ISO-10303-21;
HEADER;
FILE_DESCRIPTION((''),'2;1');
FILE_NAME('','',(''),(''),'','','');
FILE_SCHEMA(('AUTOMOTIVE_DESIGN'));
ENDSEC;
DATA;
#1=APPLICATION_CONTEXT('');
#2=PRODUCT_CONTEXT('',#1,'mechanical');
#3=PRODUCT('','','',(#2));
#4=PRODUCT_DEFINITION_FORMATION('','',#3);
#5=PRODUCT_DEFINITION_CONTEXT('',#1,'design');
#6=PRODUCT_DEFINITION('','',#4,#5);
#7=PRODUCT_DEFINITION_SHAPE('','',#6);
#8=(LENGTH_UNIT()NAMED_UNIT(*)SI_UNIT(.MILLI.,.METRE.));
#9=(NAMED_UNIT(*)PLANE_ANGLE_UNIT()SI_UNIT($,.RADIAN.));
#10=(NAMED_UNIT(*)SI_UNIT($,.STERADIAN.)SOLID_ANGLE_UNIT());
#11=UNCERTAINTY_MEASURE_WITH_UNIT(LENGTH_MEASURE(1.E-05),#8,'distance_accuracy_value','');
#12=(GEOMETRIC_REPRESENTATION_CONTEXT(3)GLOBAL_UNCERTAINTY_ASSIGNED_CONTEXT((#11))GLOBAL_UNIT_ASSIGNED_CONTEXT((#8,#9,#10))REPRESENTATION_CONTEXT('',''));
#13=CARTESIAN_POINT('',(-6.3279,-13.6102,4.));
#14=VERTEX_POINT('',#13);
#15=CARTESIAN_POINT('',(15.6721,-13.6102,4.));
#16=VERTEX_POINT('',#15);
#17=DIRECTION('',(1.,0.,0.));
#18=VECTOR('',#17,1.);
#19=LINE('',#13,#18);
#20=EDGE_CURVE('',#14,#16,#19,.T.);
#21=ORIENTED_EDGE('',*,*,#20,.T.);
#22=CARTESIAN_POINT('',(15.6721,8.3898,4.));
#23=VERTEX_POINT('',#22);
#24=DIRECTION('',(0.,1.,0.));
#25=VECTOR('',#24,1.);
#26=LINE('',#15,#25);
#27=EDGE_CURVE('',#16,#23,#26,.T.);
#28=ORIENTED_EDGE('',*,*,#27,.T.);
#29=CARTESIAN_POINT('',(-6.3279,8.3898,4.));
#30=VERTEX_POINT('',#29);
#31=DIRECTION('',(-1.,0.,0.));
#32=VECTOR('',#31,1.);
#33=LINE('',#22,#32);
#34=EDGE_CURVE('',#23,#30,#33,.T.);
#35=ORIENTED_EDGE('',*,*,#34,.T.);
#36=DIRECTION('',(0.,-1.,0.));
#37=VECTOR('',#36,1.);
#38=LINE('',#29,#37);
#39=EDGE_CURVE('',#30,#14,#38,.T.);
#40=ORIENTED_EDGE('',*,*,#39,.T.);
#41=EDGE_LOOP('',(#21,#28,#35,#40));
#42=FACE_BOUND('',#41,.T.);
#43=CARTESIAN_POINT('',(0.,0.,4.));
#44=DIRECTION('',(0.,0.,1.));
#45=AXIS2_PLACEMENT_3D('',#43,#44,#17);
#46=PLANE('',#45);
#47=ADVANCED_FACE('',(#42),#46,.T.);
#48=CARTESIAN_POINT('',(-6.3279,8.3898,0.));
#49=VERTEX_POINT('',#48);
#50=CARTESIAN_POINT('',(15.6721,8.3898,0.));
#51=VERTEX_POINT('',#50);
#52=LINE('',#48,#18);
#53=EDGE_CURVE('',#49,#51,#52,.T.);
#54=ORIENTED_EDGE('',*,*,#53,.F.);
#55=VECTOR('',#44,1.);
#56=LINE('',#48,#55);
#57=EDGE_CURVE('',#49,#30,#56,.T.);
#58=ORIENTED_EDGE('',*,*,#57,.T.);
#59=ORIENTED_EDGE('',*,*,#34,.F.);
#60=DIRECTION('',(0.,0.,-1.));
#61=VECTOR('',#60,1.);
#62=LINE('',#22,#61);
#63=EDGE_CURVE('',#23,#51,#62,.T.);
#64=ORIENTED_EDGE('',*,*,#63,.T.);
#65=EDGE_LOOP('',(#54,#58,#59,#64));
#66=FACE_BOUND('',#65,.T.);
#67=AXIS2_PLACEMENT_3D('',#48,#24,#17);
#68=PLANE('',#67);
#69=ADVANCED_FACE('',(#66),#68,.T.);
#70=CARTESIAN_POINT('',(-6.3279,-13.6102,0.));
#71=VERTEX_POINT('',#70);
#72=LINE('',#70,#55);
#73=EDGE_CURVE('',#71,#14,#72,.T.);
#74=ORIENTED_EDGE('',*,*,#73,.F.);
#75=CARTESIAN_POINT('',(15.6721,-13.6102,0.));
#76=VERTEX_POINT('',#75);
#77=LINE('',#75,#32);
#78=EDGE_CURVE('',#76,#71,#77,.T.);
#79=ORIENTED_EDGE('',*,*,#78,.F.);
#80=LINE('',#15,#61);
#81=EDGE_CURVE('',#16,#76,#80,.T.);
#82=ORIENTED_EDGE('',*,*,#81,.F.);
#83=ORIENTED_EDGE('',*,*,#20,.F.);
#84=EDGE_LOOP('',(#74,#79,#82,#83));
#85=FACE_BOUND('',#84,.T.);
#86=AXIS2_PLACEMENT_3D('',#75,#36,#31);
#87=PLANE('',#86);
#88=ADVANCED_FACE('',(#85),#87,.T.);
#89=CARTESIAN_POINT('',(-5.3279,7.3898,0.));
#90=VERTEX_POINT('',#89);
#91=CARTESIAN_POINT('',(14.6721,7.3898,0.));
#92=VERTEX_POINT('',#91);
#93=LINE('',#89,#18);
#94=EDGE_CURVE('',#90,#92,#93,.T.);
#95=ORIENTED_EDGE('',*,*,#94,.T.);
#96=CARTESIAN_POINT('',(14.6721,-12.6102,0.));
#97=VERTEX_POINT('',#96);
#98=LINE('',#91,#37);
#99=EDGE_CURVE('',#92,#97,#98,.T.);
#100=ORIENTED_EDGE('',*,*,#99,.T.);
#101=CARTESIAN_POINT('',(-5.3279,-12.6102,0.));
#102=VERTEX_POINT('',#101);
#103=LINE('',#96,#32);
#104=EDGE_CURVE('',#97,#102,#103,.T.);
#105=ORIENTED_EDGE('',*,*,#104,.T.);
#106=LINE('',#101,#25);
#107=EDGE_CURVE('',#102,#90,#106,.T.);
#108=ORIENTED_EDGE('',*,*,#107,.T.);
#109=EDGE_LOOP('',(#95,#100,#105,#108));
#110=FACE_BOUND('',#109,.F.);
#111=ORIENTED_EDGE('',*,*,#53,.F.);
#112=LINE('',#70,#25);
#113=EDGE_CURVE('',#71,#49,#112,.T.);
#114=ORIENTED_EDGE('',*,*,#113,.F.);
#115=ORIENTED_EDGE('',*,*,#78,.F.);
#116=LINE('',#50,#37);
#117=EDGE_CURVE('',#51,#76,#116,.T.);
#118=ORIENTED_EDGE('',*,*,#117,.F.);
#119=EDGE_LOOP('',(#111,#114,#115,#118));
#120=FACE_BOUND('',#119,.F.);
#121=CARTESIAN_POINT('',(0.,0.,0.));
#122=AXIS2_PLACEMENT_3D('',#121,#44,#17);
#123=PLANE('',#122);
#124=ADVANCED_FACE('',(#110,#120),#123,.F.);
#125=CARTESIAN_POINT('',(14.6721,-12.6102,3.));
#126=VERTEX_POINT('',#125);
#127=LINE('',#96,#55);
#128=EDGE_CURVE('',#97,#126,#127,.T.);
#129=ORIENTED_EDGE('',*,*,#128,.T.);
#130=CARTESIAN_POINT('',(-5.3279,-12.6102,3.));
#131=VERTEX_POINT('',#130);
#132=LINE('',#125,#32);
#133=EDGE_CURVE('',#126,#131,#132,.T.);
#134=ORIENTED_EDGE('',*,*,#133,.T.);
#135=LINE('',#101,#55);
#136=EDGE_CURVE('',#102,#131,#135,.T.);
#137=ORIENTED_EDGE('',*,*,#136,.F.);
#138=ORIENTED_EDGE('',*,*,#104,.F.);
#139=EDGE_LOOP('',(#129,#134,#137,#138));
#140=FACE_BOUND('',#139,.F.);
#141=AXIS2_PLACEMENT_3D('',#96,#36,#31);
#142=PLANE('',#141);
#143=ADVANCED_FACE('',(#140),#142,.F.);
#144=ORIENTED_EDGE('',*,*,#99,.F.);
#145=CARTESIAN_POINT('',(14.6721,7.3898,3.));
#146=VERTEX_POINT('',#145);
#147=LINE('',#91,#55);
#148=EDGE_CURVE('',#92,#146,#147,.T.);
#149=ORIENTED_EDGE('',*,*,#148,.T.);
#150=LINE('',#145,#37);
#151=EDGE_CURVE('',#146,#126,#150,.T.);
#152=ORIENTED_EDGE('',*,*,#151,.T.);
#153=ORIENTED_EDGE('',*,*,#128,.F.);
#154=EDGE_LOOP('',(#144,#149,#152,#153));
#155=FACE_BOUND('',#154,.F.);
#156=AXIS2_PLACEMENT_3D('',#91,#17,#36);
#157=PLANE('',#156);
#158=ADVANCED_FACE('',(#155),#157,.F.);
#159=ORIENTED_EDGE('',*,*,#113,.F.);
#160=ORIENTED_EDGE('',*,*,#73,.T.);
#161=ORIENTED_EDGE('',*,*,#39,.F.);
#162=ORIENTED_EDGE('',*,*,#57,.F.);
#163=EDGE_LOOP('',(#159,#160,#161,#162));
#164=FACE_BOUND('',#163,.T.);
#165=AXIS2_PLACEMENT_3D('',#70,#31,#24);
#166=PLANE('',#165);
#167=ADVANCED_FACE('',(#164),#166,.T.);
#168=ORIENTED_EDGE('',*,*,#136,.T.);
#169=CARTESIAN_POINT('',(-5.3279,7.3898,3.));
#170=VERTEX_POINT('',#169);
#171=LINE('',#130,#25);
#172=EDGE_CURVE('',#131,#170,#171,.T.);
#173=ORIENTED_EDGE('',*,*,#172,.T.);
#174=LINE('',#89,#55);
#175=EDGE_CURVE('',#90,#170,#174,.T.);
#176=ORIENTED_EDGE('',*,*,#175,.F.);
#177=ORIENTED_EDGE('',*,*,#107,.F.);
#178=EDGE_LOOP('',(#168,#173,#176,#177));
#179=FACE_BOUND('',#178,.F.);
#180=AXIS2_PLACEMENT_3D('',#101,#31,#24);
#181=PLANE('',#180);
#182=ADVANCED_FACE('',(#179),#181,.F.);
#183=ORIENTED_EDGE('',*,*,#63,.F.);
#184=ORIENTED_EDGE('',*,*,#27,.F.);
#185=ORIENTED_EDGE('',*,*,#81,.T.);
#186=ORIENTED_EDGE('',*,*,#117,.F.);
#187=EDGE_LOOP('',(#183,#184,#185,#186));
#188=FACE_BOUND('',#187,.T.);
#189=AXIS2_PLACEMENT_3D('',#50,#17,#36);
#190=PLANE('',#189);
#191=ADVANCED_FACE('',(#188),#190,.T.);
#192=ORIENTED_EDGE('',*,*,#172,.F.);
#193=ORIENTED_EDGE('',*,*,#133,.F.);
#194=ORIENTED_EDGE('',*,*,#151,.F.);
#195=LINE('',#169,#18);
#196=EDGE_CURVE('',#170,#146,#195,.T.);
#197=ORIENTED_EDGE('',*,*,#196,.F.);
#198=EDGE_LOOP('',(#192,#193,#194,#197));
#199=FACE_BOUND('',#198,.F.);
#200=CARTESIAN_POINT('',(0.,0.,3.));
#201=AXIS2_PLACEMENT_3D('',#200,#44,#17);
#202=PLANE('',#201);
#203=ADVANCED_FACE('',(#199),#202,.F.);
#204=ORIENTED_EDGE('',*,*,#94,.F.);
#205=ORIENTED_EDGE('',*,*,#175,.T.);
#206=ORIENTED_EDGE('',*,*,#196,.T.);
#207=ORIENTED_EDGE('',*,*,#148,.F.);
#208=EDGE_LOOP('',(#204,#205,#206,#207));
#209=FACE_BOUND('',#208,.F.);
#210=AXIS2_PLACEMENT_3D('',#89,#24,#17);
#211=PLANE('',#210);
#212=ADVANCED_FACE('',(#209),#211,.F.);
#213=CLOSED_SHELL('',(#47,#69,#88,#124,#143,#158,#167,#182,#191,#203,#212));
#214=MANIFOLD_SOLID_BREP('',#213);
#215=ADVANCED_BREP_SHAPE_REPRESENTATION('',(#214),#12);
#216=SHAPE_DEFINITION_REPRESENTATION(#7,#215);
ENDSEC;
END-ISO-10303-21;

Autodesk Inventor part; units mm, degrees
ref_plane "YZ Plane" through (0, 0, 0) normal (1, 0, 0) x (0, 1, 0)
ref_plane "XZ Plane" through (0, 0, 0) normal (0, 1, 0) x (-1, 0, 0)
ref_plane "XY Plane" through (0, 0, 0) normal (0, 0, 1) x (1, 0, 0)
sketch "Sketch1" plane through (0, 0, 0) normal (0, 0, 1) x (1, 0, 0)
  line L0 (-5.3279, 7.3898) -> (14.6721, 7.3898)
  line L1 (14.6721, 7.3898) -> (14.6721, -12.6102)
  line L2 (14.6721, -12.6102) -> (-5.3279, -12.6102)
  line L3 (-5.3279, -12.6102) -> (-5.3279, 7.3898)
  line L4 (-6.3279, 8.3898) -> (15.6721, 8.3898)
  line L5 (15.6721, 8.3898) -> (15.6721, -13.6102)
  line L6 (15.6721, -13.6102) -> (-6.3279, -13.6102)
  line L7 (-6.3279, -13.6102) -> (-6.3279, 8.3898)
  point P0 (0, 0)
  dimension "d0" = 20
  dimension "d1" = 20
  dimension "d2" = 22
  dimension "d3" = 22
  dimension "d4" = 1
  dimension "d5" = 1
extrude "Extrusion1" add sketch "Sketch1" along normal blind 3
sketch "Sketch2" plane through (0, 0, 3) normal (0, 0, 1) x (1, 0, 0)
  line L0 (15.6721, 8.3898) -> (-6.3279, 8.3898) projected
  line L1 (-6.3279, -13.6102) -> (15.6721, -13.6102)
  line L2 (15.6721, -13.6102) -> (15.6721, 8.3898)
  line L3 (15.6721, 8.3898) -> (-6.3279, 8.3898)
  line L4 (-6.3279, 8.3898) -> (-6.3279, -13.6102)
  point P0 (0, 0)
extrude "Extrusion2" add sketch "Sketch2" along normal blind 1
properties part number "sensor_cover"
